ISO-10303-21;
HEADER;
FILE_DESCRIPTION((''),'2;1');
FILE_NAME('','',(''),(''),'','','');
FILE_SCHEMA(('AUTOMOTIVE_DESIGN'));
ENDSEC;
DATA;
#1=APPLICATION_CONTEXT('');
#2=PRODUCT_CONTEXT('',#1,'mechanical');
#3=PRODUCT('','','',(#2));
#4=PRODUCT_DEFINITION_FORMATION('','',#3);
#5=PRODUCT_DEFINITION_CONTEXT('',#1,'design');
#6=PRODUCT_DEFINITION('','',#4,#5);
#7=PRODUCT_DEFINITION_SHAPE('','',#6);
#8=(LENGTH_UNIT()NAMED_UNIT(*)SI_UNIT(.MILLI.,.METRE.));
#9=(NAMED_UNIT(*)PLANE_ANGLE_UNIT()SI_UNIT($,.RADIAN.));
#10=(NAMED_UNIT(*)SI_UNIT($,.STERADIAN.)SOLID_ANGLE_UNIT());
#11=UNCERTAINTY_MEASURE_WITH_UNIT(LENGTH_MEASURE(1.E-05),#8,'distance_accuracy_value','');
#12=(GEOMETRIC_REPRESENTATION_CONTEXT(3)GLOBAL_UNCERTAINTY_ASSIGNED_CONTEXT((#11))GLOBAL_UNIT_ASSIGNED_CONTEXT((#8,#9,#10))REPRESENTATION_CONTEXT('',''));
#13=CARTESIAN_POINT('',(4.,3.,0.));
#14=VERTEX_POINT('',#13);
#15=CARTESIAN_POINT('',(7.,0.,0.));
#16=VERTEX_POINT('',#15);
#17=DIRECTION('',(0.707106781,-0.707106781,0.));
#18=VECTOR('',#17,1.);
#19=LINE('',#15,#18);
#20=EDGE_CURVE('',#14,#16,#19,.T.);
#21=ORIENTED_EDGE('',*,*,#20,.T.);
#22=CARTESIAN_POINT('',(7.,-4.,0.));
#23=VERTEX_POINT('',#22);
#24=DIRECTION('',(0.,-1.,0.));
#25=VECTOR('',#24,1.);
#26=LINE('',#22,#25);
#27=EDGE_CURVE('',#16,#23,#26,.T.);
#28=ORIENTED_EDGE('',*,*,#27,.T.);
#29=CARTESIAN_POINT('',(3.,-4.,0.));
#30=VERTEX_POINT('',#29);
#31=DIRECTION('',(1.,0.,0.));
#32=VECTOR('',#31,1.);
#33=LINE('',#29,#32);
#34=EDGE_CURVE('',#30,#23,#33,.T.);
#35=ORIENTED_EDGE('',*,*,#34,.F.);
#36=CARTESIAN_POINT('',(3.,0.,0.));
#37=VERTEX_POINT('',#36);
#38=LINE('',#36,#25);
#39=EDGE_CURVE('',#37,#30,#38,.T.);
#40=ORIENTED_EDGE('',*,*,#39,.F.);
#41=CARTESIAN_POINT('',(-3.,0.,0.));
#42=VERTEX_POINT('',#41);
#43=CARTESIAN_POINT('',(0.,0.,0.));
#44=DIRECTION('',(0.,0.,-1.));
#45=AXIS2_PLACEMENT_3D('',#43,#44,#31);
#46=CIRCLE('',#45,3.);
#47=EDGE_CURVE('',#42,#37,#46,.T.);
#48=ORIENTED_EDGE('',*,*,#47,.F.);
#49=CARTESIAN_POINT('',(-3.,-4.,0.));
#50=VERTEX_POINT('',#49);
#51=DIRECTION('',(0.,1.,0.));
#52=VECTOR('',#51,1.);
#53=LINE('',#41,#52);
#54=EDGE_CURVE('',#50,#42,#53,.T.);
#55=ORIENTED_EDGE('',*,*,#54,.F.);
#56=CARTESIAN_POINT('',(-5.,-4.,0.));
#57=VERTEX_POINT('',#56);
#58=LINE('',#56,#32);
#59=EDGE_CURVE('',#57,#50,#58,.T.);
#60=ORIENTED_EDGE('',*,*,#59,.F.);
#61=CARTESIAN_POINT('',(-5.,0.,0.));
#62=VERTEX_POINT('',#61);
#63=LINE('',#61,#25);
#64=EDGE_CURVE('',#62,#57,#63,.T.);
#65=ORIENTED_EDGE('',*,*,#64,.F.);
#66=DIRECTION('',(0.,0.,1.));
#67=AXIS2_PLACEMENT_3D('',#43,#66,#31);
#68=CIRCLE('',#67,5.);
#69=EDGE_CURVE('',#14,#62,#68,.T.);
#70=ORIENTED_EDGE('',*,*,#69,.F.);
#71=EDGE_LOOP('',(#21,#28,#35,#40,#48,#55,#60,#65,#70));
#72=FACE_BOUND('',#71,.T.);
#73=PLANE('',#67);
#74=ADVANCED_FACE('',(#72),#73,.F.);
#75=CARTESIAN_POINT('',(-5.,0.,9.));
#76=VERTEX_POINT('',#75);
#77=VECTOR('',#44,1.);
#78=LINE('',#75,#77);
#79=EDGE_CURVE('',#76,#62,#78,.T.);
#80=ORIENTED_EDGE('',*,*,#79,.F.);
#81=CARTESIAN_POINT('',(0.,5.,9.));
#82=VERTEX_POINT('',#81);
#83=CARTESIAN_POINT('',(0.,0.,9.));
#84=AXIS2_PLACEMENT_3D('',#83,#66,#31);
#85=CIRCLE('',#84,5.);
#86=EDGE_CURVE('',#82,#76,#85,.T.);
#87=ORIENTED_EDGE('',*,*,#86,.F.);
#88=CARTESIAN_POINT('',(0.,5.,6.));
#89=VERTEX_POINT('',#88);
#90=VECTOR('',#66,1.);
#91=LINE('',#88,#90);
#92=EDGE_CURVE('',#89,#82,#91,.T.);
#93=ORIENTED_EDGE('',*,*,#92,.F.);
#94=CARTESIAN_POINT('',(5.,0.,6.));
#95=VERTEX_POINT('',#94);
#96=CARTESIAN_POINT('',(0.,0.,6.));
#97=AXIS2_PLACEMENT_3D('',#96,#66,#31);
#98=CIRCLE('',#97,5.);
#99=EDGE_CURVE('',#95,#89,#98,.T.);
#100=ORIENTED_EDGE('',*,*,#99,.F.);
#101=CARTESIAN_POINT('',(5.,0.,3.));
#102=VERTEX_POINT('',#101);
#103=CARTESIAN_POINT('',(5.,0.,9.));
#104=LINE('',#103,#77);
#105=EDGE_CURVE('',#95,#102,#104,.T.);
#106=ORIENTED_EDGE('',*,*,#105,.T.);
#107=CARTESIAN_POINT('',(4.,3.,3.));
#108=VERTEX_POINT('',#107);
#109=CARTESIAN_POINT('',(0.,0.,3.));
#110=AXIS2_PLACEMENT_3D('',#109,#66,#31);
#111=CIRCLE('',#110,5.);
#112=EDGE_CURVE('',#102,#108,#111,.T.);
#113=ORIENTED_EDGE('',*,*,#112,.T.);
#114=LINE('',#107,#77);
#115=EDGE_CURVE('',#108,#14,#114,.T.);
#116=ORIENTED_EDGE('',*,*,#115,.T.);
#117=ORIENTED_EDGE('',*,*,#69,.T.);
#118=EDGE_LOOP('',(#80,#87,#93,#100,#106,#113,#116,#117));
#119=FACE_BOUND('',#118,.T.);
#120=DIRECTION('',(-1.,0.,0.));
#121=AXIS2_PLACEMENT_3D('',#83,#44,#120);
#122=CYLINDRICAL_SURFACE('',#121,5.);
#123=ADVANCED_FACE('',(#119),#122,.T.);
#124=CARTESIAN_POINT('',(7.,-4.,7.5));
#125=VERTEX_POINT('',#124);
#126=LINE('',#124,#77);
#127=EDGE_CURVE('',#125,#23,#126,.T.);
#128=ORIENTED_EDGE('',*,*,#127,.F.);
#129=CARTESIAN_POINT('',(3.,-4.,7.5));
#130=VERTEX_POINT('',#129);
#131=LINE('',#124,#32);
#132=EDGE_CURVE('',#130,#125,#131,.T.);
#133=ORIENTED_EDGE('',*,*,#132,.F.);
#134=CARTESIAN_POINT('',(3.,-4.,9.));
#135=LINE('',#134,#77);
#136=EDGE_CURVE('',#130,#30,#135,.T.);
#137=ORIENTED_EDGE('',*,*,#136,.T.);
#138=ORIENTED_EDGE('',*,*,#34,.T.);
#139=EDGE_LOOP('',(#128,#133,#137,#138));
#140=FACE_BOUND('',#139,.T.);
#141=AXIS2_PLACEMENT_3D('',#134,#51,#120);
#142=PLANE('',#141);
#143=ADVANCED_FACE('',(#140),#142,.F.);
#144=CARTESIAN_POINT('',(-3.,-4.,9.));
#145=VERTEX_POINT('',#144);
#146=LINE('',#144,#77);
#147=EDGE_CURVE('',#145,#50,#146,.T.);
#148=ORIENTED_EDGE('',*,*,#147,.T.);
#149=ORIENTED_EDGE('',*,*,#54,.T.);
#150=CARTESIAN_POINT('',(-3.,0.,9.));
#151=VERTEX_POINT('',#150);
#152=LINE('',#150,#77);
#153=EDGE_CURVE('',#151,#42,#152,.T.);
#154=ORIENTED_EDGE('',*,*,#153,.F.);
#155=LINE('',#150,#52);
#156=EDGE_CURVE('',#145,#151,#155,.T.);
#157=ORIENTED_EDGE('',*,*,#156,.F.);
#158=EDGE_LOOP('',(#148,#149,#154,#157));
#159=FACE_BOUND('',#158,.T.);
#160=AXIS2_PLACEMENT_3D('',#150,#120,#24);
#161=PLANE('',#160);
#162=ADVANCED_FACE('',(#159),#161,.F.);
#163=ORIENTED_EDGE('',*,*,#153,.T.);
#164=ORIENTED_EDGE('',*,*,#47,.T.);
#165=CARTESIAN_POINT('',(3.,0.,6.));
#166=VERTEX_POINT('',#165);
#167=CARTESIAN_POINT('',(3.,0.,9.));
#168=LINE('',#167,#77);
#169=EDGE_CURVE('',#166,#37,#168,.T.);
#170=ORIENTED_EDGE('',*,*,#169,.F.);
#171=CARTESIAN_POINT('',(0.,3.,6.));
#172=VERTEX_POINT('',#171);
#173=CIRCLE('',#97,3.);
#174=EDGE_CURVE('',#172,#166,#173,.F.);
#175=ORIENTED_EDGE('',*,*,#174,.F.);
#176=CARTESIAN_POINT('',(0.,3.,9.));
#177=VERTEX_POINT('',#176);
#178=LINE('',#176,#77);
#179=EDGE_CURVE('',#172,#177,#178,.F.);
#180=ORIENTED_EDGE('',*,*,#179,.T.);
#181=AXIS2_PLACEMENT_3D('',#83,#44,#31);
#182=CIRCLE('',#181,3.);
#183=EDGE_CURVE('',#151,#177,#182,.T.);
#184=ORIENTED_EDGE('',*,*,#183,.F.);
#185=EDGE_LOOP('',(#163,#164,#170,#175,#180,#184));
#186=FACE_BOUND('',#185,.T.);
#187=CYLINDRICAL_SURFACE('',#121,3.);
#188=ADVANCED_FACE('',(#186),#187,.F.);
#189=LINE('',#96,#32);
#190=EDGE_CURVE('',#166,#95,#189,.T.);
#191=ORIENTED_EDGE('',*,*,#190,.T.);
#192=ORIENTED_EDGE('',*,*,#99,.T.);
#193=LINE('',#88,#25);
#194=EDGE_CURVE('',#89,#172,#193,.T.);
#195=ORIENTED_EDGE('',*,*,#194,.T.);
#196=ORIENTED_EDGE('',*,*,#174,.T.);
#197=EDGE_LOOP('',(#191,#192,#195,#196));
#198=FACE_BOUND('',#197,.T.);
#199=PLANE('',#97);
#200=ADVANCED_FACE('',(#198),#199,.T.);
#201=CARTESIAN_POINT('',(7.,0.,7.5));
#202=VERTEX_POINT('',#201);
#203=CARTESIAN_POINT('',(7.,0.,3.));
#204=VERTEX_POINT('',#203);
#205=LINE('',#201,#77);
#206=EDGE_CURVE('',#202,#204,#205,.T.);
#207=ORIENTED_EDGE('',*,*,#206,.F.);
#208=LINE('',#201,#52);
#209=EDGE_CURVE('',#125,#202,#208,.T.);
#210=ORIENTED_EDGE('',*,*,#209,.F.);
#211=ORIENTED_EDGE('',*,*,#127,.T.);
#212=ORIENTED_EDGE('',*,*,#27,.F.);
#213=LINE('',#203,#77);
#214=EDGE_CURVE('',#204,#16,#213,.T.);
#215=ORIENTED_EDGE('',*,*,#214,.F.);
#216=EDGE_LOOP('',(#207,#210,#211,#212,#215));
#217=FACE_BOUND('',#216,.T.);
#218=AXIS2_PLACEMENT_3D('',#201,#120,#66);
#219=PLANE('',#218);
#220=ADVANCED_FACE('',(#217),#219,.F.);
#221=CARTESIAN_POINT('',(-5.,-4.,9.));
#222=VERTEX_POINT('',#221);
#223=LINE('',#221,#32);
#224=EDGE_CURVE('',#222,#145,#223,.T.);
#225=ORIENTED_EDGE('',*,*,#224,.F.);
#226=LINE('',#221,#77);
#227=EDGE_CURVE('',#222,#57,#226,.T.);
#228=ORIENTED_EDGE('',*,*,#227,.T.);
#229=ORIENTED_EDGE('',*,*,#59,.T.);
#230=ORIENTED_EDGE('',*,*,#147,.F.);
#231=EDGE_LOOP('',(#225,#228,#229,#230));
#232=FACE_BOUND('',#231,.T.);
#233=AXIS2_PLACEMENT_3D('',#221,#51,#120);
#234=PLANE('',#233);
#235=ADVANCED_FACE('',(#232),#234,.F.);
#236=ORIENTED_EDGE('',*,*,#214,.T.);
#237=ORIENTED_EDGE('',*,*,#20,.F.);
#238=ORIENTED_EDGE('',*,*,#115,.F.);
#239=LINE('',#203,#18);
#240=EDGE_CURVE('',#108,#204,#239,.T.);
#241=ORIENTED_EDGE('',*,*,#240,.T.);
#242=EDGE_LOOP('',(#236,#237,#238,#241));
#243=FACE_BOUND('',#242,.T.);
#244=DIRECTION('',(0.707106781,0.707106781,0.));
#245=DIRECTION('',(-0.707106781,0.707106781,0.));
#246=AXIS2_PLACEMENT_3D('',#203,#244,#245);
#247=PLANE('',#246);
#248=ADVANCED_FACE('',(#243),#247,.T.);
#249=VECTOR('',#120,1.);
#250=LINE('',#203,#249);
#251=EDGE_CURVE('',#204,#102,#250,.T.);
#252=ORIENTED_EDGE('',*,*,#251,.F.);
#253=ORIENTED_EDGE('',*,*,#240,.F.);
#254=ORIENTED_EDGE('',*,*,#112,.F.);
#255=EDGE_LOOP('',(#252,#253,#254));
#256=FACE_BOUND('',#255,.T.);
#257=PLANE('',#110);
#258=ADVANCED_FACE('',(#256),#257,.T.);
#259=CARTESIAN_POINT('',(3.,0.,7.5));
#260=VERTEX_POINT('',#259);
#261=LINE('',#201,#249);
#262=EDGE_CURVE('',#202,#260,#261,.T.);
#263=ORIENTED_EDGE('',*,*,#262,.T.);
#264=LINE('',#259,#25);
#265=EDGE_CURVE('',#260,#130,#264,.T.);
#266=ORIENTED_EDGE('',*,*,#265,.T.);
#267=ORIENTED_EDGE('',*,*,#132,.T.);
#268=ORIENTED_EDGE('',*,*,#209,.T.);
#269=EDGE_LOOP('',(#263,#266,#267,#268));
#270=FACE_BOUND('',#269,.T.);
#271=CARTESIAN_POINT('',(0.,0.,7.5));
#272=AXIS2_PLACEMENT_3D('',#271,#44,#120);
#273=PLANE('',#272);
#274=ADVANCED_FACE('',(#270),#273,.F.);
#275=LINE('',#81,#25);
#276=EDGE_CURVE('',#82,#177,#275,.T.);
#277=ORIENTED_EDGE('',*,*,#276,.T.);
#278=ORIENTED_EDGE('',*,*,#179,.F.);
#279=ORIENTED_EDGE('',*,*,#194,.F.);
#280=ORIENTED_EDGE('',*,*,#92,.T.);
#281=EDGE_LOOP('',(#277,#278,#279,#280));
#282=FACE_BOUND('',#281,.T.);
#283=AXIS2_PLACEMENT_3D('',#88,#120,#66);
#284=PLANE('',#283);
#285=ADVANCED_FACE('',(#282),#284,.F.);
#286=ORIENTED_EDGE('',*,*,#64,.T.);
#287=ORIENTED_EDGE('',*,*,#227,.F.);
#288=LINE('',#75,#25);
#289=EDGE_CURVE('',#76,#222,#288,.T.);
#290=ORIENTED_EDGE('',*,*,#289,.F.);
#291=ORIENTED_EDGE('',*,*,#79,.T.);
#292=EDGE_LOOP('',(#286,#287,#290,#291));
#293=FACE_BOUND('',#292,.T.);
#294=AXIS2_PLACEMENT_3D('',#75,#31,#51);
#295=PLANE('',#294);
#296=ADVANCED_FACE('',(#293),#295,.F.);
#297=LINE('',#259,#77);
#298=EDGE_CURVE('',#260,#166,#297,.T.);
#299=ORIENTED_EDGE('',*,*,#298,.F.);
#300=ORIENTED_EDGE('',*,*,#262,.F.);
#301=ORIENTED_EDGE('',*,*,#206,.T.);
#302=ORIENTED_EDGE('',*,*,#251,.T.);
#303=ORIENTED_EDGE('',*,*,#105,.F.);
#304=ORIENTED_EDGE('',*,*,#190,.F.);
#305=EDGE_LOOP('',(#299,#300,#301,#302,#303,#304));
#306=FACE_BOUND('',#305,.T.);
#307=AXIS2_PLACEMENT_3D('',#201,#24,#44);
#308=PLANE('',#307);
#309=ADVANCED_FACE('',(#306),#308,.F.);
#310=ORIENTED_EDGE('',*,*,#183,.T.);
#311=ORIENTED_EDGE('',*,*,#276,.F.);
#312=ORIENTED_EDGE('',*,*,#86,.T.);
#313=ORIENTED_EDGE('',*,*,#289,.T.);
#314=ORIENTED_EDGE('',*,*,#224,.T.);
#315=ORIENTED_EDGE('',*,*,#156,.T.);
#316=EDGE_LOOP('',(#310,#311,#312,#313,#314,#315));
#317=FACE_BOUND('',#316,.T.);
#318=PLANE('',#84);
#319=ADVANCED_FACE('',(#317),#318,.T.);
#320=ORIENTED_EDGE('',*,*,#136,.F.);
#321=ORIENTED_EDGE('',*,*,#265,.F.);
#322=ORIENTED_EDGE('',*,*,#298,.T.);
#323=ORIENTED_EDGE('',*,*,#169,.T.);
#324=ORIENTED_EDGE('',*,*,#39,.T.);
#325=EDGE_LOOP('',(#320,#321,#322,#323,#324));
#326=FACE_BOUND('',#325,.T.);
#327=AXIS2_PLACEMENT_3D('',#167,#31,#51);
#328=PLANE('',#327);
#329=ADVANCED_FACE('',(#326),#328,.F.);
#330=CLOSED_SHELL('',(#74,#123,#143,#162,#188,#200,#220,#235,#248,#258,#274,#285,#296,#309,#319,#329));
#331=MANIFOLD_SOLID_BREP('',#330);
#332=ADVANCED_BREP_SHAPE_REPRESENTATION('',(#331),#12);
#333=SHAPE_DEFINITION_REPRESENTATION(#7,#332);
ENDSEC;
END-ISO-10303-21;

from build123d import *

# Parameters (mm, degrees)
BOSS_EXTRUDE1_DEPTH = 9
SKETCH2_W           = 5
SKETCH2_H           = 9
CUT_EXTRUDE1_DEPTH  = 3
BOSS_EXTRUDE2_DEPTH = 3
SKETCH4_W           = 4
SKETCH4_H           = 4
BOSS_EXTRUDE3_DEPTH = 4.5


with BuildPart() as part:
    # Sketch1 → Boss-Extrude1 (new body)
    with BuildSketch(Plane.XY):
        with BuildLine():
            Line((3, 0), (3, -4))
            Line((3, -4), (5, -4))
            Line((5, -4), (5, 0))
            ThreePointArc((5, 0), (0, 5), (-5, 0))
            Line((-5, 0), (-5, -4))
            Line((-5, -4), (-3, -4))
            Line((-3, -4), (-3, 0))
            ThreePointArc((-3, 0), (0, 3), (3, 0))
        make_face()
    extrude(amount=BOSS_EXTRUDE1_DEPTH)

    # Sketch2 → Cut-Extrude1 (cut)
    with BuildSketch(Plane.XY.offset(9)):
        with Locations((2.5, 0.5)):
            Rectangle(SKETCH2_W, SKETCH2_H)
    extrude(amount=-CUT_EXTRUDE1_DEPTH, mode=Mode.SUBTRACT)



with BuildPart() as body_2:
    # Sketch3 → Boss-Extrude2 (new body)
    with BuildSketch(Plane(origin=(0, 0, 0), x_dir=(-1, 0, 0), z_dir=(0, 0, -1))):
        with BuildLine():
            Line((-5, -4), (-7, -4))
            Line((-7, -4), (-7, 0))
            Line((-7, 0), (-4, 3))
            ThreePointArc((-4, 3), (-4.74341649, 1.58113883), (-5, 0))
            Line((-5, 0), (-5, -4))
        make_face()
    extrude(amount=-BOSS_EXTRUDE2_DEPTH)


with BuildPart() as part_1:
    add(part.part)

    add(body_2.part)  # Boss-Extrude3 merges body 2
    # Sketch4 → Boss-Extrude3 (add)
    with BuildSketch(Plane.XY.offset(3)):
        with Locations((5, -2)):
            Rectangle(SKETCH4_W, SKETCH4_H)
    extrude(amount=BOSS_EXTRUDE3_DEPTH)


solid = part_1.part
